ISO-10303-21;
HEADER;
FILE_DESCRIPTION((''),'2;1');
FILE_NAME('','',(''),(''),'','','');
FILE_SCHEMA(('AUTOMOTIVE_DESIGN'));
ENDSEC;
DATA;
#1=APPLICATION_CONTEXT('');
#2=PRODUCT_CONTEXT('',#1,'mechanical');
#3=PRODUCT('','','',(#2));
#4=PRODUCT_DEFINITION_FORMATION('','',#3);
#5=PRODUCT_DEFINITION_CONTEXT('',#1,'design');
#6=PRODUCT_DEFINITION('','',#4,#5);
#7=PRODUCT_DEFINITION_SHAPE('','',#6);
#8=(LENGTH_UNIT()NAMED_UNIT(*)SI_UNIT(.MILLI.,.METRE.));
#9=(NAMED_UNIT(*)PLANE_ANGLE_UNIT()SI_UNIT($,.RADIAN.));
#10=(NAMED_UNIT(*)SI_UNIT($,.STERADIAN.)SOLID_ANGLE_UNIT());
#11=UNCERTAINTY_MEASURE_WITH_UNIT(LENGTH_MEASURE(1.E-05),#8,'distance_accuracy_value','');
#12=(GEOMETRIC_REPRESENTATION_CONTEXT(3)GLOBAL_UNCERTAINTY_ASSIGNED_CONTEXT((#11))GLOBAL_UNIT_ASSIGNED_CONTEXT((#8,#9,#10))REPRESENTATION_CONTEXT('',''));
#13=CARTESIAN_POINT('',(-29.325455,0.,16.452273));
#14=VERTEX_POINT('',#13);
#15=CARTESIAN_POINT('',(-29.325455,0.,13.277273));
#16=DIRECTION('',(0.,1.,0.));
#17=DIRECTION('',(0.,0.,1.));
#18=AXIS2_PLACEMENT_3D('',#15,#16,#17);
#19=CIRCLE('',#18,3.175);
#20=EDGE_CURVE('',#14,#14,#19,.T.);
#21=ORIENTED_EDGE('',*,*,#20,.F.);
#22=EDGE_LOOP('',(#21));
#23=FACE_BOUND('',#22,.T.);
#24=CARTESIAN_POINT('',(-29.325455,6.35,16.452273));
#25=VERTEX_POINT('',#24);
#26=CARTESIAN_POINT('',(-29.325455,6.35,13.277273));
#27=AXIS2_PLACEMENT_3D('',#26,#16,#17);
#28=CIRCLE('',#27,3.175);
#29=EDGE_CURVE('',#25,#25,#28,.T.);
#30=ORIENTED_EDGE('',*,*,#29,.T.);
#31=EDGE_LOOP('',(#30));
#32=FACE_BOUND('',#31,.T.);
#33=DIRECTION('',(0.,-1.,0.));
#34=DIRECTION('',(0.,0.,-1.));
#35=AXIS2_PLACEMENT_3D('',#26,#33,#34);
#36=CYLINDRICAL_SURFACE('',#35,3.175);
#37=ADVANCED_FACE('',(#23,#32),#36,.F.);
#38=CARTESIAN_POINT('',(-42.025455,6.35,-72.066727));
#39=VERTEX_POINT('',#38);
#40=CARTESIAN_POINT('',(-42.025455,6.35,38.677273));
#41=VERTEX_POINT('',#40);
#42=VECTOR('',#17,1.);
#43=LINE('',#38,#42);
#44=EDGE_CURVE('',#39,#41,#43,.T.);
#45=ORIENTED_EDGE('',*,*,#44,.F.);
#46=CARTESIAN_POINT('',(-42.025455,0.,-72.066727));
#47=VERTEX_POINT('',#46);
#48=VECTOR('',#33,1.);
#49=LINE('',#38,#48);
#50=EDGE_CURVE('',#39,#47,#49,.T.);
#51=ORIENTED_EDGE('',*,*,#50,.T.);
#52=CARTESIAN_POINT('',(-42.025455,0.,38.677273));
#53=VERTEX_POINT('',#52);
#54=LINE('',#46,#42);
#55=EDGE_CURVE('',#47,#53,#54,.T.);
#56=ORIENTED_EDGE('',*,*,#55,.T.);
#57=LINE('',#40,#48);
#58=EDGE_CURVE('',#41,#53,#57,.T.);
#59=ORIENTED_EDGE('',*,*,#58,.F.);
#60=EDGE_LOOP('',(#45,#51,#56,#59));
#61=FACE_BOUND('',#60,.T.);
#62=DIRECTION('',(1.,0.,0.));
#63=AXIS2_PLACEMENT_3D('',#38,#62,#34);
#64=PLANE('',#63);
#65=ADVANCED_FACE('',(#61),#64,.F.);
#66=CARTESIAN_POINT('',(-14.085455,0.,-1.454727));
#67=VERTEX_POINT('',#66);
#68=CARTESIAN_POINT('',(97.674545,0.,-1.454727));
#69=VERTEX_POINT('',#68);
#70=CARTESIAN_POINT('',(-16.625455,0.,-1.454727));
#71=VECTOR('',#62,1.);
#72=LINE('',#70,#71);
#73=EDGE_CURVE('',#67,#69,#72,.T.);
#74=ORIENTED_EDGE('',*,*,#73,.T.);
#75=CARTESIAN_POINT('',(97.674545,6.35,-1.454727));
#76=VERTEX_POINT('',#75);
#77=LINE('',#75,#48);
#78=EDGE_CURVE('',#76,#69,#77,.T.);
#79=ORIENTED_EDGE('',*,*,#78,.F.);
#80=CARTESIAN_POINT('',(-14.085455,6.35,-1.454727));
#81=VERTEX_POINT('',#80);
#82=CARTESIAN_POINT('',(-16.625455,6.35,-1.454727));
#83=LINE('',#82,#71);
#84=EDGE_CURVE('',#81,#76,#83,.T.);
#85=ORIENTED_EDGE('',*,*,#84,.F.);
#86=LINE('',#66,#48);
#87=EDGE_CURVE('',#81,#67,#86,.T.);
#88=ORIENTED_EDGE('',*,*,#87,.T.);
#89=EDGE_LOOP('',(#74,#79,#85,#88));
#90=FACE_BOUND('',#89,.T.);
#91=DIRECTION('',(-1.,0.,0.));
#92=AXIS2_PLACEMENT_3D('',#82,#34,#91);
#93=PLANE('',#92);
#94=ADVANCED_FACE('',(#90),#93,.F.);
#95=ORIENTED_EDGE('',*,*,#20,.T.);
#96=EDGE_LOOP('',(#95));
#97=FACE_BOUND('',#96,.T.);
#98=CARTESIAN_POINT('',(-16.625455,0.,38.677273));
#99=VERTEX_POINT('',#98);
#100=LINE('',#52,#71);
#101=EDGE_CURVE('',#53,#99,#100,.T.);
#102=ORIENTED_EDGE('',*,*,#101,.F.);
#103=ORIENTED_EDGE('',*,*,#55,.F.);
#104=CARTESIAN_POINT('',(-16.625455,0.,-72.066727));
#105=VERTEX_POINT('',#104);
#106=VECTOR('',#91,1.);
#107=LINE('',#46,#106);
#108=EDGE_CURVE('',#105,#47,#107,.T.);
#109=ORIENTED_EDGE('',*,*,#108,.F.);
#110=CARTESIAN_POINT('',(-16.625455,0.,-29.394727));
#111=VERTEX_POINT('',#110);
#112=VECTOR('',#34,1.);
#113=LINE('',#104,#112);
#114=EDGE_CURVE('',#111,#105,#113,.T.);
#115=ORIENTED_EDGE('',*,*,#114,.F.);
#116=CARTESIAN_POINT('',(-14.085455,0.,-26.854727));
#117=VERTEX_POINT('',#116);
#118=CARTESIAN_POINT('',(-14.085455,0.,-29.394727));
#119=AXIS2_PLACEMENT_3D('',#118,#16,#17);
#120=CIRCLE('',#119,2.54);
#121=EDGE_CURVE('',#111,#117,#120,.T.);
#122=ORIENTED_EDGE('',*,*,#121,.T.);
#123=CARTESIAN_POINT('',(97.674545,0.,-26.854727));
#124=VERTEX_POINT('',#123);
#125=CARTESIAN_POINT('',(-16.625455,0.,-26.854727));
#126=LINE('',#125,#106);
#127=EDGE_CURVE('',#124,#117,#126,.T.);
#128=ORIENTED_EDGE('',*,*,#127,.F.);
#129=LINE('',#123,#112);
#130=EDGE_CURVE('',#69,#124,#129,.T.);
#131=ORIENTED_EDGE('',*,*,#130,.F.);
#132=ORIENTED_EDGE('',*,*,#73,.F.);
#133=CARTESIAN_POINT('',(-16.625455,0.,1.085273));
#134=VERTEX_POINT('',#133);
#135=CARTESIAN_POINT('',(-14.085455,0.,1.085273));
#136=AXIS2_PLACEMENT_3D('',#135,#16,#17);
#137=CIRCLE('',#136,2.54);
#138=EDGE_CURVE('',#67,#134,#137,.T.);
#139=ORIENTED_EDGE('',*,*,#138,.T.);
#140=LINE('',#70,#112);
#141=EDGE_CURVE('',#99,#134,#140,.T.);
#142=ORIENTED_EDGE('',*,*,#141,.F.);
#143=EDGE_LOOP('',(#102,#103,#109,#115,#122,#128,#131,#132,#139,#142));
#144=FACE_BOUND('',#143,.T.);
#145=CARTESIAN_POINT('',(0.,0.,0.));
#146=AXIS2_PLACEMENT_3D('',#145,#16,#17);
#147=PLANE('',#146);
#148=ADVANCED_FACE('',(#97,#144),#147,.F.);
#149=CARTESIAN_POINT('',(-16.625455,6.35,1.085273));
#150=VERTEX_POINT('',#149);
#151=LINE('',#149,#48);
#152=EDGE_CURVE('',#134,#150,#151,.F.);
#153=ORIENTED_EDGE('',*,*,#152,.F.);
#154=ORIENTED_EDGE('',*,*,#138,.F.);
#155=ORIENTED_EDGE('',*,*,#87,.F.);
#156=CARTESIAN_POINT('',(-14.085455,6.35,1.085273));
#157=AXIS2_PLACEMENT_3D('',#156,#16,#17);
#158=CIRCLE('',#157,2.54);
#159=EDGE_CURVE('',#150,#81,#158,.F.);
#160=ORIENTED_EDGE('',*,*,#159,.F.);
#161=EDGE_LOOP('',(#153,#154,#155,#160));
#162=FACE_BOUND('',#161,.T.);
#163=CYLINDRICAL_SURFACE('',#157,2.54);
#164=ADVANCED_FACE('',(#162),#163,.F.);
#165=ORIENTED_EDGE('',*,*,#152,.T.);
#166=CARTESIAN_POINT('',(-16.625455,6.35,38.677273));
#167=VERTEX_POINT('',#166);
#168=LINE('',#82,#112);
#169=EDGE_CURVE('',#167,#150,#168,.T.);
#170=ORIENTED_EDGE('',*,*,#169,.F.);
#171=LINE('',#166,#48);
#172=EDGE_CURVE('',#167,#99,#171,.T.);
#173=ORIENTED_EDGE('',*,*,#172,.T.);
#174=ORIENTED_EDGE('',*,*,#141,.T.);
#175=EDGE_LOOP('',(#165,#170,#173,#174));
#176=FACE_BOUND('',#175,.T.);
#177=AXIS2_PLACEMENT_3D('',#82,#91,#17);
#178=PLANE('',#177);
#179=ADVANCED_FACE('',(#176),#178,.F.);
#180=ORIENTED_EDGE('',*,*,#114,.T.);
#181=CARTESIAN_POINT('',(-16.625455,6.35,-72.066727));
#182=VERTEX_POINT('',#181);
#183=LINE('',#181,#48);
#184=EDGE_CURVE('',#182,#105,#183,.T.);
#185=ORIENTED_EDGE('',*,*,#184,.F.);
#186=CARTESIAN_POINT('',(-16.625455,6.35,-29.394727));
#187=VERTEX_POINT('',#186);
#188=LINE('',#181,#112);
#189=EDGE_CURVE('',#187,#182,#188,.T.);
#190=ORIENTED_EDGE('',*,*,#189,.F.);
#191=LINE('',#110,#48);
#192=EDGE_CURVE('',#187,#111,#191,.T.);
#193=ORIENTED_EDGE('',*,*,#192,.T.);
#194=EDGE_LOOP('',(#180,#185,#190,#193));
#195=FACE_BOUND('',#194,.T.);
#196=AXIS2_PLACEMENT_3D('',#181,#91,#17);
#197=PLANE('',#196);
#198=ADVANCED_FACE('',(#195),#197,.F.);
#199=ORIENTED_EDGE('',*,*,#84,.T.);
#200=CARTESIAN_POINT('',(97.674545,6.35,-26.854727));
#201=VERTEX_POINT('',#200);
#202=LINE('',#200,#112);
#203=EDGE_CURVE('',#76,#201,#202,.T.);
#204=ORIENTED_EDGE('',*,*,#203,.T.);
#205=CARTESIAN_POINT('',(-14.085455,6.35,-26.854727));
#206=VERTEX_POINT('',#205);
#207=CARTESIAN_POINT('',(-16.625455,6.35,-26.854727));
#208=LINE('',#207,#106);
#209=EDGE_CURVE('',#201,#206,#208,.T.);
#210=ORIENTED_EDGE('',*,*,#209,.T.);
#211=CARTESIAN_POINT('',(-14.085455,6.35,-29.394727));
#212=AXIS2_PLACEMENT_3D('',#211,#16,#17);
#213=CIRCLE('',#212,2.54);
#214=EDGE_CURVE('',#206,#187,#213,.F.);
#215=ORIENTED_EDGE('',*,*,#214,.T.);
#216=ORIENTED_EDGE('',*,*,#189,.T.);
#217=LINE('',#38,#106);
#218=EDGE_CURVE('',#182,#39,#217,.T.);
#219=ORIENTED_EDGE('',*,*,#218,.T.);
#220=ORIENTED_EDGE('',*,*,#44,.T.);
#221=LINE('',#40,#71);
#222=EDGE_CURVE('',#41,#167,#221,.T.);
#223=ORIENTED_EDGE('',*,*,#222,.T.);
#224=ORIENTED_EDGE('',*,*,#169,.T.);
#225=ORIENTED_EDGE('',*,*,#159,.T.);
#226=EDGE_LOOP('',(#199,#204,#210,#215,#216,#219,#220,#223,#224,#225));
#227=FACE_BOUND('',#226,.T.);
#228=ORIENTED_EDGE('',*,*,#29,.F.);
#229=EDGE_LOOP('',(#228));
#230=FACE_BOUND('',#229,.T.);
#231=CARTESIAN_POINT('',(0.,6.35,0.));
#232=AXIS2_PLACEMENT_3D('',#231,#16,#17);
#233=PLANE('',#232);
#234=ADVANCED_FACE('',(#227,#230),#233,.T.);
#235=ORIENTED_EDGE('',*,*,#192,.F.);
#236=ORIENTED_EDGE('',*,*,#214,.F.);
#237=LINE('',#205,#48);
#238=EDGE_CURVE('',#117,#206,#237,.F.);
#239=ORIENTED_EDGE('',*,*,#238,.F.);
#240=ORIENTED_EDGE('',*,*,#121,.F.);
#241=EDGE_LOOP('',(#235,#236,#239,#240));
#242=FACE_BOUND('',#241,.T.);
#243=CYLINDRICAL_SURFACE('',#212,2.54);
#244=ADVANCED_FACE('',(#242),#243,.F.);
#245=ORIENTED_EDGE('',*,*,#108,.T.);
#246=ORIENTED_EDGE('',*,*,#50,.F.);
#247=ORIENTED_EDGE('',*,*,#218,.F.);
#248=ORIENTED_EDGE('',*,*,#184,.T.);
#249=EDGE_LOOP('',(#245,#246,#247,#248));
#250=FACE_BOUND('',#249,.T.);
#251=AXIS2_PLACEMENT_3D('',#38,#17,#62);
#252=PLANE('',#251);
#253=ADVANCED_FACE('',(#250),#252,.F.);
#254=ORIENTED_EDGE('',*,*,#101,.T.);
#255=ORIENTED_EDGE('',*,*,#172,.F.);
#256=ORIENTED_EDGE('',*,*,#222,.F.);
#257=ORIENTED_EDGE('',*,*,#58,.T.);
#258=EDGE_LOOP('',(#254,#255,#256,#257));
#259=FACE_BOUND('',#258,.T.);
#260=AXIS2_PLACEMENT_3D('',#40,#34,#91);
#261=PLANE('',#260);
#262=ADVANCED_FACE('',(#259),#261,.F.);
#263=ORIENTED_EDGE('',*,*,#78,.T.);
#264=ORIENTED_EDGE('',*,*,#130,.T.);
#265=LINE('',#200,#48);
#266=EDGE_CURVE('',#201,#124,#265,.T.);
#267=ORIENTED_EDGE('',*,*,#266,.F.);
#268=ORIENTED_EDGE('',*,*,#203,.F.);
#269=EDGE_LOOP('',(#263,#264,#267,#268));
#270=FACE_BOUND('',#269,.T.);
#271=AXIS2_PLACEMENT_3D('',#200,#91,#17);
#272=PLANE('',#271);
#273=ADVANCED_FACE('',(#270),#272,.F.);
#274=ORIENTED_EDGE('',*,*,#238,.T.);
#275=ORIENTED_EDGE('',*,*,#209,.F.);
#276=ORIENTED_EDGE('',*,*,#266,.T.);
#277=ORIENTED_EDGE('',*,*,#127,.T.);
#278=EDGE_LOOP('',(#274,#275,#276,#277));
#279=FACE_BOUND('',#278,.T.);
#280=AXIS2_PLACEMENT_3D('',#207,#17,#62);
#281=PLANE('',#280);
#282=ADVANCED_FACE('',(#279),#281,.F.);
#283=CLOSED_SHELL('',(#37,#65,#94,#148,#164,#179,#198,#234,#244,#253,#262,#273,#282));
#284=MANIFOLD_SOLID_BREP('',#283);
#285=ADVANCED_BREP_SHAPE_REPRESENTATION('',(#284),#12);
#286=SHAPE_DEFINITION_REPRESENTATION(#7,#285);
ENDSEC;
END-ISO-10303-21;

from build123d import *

# Parameters (mm, degrees)
SKETCH2_R           = 3.175
BOSS_EXTRUDE1_DEPTH = 6.35
FILLET1_R           = 2.54


with BuildPart() as part:
    # Sketch2 → Boss-Extrude1 (new body)
    with BuildSketch(Plane(origin=(0, 0, 0), x_dir=(1, 0, 0), z_dir=(0, 1, 0))):
        Polygon((-16.625454545, 1.454727273), (-16.625454545, -38.677272727), (-42.025454545, -38.677272727), (-42.025454545, 72.066727273), (-16.625454545, 72.066727273), (-16.625454545, 26.854727273), (97.674545455, 26.854727273), (97.674545455, 1.454727273), align=None)
        with Locations(Location((-29.325454545, -13.277272727, 0), (0, 0, 270))):
            Circle(SKETCH2_R, mode=Mode.SUBTRACT)
    extrude(amount=BOSS_EXTRUDE1_DEPTH)

    # Fillet1
    fillet1_edges = [part.edges().sort_by_distance(p)[0] for p in [
        (-16.625454545, 3.175, -26.854727273),
        (-16.625454545, 3.175, -1.454727273),
    ]]
    fillet(fillet1_edges, radius=FILLET1_R)


solid = part.part
